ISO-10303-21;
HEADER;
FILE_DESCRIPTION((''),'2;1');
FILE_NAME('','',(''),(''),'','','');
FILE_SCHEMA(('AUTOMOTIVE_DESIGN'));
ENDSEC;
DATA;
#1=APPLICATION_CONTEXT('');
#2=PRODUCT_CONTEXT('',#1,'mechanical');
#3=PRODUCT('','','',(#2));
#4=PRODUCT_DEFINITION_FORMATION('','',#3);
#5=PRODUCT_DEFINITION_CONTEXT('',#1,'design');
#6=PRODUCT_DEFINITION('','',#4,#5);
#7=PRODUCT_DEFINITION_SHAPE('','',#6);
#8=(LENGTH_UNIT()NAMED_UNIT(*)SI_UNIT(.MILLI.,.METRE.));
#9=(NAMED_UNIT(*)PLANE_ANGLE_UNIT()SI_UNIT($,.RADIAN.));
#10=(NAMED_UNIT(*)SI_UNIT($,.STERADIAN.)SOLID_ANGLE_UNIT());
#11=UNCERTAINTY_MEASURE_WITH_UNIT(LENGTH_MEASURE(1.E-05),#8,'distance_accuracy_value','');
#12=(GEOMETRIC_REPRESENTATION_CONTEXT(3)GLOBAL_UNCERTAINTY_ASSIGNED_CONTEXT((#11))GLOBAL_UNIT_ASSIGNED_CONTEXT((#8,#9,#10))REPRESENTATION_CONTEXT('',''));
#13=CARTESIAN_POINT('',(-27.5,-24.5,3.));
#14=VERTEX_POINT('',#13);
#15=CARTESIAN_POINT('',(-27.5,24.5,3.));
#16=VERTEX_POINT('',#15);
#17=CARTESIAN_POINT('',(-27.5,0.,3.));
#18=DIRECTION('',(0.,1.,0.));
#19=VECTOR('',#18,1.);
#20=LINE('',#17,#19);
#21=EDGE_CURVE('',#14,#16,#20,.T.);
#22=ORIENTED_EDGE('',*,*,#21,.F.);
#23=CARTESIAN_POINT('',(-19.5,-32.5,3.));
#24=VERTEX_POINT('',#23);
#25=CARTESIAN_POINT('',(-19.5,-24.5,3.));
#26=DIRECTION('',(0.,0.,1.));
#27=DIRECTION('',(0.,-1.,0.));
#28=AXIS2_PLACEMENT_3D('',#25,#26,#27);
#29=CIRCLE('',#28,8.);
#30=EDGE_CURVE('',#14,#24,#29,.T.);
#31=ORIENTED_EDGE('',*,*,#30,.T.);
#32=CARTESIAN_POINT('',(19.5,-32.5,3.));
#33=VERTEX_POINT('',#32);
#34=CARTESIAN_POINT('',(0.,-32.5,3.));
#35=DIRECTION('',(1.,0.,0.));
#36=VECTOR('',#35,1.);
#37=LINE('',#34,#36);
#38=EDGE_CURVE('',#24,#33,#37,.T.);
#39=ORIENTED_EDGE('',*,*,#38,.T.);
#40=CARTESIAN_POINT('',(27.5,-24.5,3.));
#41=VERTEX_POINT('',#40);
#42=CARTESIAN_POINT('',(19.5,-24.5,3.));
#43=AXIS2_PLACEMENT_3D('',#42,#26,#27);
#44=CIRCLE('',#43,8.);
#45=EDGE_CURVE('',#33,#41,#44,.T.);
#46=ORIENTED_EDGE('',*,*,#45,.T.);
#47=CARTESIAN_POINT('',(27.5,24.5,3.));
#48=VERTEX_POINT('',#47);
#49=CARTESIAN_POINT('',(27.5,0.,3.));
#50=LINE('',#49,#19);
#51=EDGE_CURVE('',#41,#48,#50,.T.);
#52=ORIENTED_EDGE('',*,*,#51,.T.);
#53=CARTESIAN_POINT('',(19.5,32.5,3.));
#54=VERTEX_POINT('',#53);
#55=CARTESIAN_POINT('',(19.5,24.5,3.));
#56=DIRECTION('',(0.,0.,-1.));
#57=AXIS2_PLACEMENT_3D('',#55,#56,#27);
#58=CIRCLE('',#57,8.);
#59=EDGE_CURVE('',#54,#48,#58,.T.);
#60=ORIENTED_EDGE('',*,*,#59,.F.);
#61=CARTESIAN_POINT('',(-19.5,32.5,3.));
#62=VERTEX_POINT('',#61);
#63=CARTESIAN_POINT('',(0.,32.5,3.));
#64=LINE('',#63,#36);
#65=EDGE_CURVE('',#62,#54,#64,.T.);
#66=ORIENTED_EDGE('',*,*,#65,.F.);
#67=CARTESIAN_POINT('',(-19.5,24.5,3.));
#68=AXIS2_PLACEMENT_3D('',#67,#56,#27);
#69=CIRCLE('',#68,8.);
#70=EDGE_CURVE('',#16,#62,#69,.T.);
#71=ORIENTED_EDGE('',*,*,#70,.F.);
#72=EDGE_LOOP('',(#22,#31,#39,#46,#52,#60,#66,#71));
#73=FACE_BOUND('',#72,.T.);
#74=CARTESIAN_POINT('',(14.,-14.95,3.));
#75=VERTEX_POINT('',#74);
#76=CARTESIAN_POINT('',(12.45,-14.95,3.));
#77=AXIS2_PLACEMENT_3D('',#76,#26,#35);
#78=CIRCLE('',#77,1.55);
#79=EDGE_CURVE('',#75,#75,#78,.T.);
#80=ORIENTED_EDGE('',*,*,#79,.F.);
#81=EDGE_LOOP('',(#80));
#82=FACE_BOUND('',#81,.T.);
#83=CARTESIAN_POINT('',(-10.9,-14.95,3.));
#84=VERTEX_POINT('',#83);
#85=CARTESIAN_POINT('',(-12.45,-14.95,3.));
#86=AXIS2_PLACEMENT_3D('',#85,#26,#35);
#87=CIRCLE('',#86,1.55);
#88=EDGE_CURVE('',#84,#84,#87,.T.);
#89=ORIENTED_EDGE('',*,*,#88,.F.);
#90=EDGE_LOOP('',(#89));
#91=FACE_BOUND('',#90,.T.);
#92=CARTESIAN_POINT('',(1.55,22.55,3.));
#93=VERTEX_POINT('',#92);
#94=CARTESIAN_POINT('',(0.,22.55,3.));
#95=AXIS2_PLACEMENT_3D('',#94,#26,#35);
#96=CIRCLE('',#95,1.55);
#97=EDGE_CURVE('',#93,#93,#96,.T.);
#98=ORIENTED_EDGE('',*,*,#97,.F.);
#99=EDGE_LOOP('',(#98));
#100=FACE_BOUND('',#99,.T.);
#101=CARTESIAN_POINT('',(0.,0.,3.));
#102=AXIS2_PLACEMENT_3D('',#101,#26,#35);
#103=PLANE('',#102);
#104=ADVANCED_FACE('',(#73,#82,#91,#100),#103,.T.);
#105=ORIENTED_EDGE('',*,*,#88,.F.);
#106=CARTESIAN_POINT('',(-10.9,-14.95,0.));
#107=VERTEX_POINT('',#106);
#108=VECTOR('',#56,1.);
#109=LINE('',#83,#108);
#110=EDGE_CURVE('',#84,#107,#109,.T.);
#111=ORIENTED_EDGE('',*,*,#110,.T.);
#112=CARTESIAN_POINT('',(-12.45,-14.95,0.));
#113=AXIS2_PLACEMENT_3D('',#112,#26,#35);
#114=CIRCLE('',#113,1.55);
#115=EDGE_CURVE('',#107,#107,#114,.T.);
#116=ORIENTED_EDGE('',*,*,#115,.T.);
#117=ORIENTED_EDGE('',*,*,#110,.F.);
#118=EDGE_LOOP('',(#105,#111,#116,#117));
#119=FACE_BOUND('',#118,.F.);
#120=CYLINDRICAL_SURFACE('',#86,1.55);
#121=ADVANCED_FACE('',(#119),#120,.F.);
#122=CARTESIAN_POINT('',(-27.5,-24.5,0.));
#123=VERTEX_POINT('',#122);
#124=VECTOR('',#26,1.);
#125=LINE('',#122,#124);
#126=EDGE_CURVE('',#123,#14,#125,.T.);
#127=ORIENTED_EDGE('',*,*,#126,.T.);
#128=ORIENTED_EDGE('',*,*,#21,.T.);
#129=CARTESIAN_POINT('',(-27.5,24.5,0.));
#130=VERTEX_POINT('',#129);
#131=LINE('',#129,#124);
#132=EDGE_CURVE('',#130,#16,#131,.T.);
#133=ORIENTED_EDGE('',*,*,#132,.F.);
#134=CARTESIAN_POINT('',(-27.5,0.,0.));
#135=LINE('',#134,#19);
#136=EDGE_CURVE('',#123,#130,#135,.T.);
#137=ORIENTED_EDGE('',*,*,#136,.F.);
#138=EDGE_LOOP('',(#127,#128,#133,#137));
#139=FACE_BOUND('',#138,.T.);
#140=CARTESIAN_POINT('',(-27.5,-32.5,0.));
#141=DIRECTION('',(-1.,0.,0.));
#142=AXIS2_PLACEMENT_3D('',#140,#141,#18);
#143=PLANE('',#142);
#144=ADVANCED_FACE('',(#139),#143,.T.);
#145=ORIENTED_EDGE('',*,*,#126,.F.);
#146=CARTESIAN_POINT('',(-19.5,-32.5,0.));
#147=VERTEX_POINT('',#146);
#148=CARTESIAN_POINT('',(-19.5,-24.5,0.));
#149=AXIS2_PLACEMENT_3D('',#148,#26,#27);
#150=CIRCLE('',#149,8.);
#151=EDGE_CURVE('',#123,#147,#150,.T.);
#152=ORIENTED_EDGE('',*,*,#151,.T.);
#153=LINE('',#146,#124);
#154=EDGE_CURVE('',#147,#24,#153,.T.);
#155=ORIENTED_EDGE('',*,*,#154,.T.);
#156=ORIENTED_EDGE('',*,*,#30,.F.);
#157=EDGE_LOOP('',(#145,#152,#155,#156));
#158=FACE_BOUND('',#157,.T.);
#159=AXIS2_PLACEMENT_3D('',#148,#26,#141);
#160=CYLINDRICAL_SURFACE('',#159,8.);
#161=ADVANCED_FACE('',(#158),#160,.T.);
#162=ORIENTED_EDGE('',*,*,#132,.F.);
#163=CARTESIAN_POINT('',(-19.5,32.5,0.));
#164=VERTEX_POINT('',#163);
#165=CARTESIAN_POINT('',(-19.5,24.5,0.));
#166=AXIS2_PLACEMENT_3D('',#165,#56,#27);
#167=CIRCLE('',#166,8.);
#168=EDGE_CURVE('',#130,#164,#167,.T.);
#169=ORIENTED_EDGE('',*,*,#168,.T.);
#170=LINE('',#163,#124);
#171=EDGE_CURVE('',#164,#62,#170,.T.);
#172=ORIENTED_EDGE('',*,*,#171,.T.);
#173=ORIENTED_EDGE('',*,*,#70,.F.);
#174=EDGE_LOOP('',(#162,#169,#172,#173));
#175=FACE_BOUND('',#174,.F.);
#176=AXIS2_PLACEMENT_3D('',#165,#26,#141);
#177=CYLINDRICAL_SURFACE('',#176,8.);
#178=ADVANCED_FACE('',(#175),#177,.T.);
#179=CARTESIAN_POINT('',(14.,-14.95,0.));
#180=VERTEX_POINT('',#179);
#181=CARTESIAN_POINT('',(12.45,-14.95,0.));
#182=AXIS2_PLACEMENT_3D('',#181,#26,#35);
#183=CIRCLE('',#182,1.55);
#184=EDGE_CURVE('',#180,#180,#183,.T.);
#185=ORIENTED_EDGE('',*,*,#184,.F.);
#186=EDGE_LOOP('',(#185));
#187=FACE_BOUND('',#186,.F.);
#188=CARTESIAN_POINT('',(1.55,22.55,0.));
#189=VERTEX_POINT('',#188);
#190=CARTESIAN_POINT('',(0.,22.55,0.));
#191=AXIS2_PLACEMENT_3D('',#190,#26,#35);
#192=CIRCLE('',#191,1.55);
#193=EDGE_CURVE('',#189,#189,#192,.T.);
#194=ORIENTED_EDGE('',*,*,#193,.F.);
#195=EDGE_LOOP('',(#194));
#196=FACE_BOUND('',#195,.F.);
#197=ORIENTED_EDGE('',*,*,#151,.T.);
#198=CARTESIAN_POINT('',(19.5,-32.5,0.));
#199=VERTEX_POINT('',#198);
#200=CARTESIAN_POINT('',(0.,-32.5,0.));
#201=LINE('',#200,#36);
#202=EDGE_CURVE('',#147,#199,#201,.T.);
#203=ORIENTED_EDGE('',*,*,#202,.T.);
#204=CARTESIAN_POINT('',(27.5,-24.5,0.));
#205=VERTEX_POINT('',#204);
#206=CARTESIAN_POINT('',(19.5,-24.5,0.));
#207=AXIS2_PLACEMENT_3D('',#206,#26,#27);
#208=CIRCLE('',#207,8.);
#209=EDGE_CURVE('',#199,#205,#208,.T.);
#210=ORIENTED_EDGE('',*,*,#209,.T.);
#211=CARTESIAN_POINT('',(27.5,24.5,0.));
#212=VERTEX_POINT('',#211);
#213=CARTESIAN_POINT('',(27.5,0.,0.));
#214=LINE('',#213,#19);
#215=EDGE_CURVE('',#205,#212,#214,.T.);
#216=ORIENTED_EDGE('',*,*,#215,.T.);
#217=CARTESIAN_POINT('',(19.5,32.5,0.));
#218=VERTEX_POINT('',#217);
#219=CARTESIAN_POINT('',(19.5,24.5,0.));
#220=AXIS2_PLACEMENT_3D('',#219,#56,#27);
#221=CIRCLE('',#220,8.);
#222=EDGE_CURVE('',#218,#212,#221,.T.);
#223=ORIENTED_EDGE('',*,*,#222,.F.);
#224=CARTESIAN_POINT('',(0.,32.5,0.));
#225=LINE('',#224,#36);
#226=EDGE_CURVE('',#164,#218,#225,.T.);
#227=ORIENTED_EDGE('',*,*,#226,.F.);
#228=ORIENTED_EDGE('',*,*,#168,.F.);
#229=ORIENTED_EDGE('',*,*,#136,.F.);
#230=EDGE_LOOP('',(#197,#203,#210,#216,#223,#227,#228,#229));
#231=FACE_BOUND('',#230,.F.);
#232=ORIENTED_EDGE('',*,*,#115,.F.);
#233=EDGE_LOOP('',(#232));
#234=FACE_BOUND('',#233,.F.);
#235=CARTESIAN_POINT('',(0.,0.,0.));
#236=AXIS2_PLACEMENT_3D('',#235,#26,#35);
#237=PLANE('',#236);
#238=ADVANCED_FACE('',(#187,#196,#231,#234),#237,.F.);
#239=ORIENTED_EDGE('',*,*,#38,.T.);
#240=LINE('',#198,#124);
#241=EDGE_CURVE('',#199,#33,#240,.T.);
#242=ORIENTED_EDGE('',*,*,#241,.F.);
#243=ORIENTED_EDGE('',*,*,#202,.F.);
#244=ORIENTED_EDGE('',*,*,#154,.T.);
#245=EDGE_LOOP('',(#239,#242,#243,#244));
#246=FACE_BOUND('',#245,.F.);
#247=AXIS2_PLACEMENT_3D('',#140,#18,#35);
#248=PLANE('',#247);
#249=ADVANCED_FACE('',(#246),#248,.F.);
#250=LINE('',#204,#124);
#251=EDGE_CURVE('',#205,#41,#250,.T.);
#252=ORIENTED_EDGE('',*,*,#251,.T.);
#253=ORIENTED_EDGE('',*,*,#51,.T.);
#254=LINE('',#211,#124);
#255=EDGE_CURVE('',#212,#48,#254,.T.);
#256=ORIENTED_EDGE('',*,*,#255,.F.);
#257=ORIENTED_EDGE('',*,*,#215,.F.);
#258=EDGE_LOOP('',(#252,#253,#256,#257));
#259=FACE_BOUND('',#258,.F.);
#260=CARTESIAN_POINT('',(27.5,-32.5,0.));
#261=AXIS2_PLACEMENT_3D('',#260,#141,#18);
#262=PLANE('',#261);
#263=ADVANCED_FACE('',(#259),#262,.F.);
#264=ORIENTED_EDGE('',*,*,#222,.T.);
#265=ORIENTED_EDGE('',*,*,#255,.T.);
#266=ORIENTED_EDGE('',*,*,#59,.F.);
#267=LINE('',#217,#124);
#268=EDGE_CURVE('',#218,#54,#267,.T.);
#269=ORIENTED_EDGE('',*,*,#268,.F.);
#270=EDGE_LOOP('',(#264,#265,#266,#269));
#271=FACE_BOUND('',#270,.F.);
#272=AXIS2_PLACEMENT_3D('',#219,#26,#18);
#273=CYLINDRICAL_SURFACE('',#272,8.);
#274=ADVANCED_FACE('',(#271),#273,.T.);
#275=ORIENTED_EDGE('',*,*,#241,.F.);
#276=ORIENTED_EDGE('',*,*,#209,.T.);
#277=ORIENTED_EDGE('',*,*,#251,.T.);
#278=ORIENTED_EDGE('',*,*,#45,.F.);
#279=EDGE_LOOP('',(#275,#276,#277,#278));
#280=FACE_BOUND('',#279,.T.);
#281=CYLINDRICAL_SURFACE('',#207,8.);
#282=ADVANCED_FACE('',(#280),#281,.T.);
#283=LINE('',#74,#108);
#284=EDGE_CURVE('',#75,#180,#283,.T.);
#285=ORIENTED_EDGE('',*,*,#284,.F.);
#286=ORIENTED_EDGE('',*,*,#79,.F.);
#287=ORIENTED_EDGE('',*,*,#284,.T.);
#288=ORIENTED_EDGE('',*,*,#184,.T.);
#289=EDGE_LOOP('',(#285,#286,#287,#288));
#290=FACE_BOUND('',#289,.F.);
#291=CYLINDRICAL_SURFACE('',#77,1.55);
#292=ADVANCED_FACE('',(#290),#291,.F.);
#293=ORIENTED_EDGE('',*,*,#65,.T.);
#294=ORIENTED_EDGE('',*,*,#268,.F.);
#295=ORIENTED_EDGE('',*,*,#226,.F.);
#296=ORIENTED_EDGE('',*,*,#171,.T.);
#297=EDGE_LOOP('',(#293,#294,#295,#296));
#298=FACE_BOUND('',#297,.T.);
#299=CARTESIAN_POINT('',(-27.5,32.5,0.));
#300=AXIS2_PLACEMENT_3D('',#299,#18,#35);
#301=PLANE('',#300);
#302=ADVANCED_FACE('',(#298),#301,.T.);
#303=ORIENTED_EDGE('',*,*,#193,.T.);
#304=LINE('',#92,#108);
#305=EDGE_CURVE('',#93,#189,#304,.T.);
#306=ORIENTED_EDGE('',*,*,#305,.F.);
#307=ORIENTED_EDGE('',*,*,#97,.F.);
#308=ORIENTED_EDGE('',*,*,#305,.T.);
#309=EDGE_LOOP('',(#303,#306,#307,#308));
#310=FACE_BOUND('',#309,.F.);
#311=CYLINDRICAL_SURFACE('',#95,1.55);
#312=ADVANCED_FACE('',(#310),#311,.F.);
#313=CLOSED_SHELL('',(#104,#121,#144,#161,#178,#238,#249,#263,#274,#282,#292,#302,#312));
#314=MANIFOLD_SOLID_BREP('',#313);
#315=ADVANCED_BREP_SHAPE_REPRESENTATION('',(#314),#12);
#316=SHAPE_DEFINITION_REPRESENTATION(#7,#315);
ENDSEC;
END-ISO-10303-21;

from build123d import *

# Parameters (mm, degrees)
F0_W     = 55
F0_H     = 65
F1_DEPTH = 3
F2_R     = 1.55
F3_DEPTH = 3
F4_R     = 8


with BuildPart() as f1:
    # F0 (on Top) → F1 (new body)
    with BuildSketch(Plane.XY):
        Rectangle(F0_W, F0_H)
    extrude(amount=F1_DEPTH)

    # F2 (on face) → F3 (cut, through all)
    with BuildSketch(Plane.XY.offset(3)):
        with Locations((-12.45, -14.95)):
            Circle(F2_R)
        with Locations((12.45, -14.95)):
            Circle(F2_R)
        with Locations((0, 22.55)):
            Circle(F2_R)
    extrude(amount=-F3_DEPTH, mode=Mode.SUBTRACT)

    # F4
    f4_edges = [f1.edges().sort_by_distance(p)[0] for p in [
        (27.5, -32.5, 1.5),
        (-27.5, -32.5, 1.5),
        (-27.5, 32.5, 1.5),
        (27.5, 32.5, 1.5),
    ]]
    fillet(f4_edges, radius=F4_R)


solid = f1.part
